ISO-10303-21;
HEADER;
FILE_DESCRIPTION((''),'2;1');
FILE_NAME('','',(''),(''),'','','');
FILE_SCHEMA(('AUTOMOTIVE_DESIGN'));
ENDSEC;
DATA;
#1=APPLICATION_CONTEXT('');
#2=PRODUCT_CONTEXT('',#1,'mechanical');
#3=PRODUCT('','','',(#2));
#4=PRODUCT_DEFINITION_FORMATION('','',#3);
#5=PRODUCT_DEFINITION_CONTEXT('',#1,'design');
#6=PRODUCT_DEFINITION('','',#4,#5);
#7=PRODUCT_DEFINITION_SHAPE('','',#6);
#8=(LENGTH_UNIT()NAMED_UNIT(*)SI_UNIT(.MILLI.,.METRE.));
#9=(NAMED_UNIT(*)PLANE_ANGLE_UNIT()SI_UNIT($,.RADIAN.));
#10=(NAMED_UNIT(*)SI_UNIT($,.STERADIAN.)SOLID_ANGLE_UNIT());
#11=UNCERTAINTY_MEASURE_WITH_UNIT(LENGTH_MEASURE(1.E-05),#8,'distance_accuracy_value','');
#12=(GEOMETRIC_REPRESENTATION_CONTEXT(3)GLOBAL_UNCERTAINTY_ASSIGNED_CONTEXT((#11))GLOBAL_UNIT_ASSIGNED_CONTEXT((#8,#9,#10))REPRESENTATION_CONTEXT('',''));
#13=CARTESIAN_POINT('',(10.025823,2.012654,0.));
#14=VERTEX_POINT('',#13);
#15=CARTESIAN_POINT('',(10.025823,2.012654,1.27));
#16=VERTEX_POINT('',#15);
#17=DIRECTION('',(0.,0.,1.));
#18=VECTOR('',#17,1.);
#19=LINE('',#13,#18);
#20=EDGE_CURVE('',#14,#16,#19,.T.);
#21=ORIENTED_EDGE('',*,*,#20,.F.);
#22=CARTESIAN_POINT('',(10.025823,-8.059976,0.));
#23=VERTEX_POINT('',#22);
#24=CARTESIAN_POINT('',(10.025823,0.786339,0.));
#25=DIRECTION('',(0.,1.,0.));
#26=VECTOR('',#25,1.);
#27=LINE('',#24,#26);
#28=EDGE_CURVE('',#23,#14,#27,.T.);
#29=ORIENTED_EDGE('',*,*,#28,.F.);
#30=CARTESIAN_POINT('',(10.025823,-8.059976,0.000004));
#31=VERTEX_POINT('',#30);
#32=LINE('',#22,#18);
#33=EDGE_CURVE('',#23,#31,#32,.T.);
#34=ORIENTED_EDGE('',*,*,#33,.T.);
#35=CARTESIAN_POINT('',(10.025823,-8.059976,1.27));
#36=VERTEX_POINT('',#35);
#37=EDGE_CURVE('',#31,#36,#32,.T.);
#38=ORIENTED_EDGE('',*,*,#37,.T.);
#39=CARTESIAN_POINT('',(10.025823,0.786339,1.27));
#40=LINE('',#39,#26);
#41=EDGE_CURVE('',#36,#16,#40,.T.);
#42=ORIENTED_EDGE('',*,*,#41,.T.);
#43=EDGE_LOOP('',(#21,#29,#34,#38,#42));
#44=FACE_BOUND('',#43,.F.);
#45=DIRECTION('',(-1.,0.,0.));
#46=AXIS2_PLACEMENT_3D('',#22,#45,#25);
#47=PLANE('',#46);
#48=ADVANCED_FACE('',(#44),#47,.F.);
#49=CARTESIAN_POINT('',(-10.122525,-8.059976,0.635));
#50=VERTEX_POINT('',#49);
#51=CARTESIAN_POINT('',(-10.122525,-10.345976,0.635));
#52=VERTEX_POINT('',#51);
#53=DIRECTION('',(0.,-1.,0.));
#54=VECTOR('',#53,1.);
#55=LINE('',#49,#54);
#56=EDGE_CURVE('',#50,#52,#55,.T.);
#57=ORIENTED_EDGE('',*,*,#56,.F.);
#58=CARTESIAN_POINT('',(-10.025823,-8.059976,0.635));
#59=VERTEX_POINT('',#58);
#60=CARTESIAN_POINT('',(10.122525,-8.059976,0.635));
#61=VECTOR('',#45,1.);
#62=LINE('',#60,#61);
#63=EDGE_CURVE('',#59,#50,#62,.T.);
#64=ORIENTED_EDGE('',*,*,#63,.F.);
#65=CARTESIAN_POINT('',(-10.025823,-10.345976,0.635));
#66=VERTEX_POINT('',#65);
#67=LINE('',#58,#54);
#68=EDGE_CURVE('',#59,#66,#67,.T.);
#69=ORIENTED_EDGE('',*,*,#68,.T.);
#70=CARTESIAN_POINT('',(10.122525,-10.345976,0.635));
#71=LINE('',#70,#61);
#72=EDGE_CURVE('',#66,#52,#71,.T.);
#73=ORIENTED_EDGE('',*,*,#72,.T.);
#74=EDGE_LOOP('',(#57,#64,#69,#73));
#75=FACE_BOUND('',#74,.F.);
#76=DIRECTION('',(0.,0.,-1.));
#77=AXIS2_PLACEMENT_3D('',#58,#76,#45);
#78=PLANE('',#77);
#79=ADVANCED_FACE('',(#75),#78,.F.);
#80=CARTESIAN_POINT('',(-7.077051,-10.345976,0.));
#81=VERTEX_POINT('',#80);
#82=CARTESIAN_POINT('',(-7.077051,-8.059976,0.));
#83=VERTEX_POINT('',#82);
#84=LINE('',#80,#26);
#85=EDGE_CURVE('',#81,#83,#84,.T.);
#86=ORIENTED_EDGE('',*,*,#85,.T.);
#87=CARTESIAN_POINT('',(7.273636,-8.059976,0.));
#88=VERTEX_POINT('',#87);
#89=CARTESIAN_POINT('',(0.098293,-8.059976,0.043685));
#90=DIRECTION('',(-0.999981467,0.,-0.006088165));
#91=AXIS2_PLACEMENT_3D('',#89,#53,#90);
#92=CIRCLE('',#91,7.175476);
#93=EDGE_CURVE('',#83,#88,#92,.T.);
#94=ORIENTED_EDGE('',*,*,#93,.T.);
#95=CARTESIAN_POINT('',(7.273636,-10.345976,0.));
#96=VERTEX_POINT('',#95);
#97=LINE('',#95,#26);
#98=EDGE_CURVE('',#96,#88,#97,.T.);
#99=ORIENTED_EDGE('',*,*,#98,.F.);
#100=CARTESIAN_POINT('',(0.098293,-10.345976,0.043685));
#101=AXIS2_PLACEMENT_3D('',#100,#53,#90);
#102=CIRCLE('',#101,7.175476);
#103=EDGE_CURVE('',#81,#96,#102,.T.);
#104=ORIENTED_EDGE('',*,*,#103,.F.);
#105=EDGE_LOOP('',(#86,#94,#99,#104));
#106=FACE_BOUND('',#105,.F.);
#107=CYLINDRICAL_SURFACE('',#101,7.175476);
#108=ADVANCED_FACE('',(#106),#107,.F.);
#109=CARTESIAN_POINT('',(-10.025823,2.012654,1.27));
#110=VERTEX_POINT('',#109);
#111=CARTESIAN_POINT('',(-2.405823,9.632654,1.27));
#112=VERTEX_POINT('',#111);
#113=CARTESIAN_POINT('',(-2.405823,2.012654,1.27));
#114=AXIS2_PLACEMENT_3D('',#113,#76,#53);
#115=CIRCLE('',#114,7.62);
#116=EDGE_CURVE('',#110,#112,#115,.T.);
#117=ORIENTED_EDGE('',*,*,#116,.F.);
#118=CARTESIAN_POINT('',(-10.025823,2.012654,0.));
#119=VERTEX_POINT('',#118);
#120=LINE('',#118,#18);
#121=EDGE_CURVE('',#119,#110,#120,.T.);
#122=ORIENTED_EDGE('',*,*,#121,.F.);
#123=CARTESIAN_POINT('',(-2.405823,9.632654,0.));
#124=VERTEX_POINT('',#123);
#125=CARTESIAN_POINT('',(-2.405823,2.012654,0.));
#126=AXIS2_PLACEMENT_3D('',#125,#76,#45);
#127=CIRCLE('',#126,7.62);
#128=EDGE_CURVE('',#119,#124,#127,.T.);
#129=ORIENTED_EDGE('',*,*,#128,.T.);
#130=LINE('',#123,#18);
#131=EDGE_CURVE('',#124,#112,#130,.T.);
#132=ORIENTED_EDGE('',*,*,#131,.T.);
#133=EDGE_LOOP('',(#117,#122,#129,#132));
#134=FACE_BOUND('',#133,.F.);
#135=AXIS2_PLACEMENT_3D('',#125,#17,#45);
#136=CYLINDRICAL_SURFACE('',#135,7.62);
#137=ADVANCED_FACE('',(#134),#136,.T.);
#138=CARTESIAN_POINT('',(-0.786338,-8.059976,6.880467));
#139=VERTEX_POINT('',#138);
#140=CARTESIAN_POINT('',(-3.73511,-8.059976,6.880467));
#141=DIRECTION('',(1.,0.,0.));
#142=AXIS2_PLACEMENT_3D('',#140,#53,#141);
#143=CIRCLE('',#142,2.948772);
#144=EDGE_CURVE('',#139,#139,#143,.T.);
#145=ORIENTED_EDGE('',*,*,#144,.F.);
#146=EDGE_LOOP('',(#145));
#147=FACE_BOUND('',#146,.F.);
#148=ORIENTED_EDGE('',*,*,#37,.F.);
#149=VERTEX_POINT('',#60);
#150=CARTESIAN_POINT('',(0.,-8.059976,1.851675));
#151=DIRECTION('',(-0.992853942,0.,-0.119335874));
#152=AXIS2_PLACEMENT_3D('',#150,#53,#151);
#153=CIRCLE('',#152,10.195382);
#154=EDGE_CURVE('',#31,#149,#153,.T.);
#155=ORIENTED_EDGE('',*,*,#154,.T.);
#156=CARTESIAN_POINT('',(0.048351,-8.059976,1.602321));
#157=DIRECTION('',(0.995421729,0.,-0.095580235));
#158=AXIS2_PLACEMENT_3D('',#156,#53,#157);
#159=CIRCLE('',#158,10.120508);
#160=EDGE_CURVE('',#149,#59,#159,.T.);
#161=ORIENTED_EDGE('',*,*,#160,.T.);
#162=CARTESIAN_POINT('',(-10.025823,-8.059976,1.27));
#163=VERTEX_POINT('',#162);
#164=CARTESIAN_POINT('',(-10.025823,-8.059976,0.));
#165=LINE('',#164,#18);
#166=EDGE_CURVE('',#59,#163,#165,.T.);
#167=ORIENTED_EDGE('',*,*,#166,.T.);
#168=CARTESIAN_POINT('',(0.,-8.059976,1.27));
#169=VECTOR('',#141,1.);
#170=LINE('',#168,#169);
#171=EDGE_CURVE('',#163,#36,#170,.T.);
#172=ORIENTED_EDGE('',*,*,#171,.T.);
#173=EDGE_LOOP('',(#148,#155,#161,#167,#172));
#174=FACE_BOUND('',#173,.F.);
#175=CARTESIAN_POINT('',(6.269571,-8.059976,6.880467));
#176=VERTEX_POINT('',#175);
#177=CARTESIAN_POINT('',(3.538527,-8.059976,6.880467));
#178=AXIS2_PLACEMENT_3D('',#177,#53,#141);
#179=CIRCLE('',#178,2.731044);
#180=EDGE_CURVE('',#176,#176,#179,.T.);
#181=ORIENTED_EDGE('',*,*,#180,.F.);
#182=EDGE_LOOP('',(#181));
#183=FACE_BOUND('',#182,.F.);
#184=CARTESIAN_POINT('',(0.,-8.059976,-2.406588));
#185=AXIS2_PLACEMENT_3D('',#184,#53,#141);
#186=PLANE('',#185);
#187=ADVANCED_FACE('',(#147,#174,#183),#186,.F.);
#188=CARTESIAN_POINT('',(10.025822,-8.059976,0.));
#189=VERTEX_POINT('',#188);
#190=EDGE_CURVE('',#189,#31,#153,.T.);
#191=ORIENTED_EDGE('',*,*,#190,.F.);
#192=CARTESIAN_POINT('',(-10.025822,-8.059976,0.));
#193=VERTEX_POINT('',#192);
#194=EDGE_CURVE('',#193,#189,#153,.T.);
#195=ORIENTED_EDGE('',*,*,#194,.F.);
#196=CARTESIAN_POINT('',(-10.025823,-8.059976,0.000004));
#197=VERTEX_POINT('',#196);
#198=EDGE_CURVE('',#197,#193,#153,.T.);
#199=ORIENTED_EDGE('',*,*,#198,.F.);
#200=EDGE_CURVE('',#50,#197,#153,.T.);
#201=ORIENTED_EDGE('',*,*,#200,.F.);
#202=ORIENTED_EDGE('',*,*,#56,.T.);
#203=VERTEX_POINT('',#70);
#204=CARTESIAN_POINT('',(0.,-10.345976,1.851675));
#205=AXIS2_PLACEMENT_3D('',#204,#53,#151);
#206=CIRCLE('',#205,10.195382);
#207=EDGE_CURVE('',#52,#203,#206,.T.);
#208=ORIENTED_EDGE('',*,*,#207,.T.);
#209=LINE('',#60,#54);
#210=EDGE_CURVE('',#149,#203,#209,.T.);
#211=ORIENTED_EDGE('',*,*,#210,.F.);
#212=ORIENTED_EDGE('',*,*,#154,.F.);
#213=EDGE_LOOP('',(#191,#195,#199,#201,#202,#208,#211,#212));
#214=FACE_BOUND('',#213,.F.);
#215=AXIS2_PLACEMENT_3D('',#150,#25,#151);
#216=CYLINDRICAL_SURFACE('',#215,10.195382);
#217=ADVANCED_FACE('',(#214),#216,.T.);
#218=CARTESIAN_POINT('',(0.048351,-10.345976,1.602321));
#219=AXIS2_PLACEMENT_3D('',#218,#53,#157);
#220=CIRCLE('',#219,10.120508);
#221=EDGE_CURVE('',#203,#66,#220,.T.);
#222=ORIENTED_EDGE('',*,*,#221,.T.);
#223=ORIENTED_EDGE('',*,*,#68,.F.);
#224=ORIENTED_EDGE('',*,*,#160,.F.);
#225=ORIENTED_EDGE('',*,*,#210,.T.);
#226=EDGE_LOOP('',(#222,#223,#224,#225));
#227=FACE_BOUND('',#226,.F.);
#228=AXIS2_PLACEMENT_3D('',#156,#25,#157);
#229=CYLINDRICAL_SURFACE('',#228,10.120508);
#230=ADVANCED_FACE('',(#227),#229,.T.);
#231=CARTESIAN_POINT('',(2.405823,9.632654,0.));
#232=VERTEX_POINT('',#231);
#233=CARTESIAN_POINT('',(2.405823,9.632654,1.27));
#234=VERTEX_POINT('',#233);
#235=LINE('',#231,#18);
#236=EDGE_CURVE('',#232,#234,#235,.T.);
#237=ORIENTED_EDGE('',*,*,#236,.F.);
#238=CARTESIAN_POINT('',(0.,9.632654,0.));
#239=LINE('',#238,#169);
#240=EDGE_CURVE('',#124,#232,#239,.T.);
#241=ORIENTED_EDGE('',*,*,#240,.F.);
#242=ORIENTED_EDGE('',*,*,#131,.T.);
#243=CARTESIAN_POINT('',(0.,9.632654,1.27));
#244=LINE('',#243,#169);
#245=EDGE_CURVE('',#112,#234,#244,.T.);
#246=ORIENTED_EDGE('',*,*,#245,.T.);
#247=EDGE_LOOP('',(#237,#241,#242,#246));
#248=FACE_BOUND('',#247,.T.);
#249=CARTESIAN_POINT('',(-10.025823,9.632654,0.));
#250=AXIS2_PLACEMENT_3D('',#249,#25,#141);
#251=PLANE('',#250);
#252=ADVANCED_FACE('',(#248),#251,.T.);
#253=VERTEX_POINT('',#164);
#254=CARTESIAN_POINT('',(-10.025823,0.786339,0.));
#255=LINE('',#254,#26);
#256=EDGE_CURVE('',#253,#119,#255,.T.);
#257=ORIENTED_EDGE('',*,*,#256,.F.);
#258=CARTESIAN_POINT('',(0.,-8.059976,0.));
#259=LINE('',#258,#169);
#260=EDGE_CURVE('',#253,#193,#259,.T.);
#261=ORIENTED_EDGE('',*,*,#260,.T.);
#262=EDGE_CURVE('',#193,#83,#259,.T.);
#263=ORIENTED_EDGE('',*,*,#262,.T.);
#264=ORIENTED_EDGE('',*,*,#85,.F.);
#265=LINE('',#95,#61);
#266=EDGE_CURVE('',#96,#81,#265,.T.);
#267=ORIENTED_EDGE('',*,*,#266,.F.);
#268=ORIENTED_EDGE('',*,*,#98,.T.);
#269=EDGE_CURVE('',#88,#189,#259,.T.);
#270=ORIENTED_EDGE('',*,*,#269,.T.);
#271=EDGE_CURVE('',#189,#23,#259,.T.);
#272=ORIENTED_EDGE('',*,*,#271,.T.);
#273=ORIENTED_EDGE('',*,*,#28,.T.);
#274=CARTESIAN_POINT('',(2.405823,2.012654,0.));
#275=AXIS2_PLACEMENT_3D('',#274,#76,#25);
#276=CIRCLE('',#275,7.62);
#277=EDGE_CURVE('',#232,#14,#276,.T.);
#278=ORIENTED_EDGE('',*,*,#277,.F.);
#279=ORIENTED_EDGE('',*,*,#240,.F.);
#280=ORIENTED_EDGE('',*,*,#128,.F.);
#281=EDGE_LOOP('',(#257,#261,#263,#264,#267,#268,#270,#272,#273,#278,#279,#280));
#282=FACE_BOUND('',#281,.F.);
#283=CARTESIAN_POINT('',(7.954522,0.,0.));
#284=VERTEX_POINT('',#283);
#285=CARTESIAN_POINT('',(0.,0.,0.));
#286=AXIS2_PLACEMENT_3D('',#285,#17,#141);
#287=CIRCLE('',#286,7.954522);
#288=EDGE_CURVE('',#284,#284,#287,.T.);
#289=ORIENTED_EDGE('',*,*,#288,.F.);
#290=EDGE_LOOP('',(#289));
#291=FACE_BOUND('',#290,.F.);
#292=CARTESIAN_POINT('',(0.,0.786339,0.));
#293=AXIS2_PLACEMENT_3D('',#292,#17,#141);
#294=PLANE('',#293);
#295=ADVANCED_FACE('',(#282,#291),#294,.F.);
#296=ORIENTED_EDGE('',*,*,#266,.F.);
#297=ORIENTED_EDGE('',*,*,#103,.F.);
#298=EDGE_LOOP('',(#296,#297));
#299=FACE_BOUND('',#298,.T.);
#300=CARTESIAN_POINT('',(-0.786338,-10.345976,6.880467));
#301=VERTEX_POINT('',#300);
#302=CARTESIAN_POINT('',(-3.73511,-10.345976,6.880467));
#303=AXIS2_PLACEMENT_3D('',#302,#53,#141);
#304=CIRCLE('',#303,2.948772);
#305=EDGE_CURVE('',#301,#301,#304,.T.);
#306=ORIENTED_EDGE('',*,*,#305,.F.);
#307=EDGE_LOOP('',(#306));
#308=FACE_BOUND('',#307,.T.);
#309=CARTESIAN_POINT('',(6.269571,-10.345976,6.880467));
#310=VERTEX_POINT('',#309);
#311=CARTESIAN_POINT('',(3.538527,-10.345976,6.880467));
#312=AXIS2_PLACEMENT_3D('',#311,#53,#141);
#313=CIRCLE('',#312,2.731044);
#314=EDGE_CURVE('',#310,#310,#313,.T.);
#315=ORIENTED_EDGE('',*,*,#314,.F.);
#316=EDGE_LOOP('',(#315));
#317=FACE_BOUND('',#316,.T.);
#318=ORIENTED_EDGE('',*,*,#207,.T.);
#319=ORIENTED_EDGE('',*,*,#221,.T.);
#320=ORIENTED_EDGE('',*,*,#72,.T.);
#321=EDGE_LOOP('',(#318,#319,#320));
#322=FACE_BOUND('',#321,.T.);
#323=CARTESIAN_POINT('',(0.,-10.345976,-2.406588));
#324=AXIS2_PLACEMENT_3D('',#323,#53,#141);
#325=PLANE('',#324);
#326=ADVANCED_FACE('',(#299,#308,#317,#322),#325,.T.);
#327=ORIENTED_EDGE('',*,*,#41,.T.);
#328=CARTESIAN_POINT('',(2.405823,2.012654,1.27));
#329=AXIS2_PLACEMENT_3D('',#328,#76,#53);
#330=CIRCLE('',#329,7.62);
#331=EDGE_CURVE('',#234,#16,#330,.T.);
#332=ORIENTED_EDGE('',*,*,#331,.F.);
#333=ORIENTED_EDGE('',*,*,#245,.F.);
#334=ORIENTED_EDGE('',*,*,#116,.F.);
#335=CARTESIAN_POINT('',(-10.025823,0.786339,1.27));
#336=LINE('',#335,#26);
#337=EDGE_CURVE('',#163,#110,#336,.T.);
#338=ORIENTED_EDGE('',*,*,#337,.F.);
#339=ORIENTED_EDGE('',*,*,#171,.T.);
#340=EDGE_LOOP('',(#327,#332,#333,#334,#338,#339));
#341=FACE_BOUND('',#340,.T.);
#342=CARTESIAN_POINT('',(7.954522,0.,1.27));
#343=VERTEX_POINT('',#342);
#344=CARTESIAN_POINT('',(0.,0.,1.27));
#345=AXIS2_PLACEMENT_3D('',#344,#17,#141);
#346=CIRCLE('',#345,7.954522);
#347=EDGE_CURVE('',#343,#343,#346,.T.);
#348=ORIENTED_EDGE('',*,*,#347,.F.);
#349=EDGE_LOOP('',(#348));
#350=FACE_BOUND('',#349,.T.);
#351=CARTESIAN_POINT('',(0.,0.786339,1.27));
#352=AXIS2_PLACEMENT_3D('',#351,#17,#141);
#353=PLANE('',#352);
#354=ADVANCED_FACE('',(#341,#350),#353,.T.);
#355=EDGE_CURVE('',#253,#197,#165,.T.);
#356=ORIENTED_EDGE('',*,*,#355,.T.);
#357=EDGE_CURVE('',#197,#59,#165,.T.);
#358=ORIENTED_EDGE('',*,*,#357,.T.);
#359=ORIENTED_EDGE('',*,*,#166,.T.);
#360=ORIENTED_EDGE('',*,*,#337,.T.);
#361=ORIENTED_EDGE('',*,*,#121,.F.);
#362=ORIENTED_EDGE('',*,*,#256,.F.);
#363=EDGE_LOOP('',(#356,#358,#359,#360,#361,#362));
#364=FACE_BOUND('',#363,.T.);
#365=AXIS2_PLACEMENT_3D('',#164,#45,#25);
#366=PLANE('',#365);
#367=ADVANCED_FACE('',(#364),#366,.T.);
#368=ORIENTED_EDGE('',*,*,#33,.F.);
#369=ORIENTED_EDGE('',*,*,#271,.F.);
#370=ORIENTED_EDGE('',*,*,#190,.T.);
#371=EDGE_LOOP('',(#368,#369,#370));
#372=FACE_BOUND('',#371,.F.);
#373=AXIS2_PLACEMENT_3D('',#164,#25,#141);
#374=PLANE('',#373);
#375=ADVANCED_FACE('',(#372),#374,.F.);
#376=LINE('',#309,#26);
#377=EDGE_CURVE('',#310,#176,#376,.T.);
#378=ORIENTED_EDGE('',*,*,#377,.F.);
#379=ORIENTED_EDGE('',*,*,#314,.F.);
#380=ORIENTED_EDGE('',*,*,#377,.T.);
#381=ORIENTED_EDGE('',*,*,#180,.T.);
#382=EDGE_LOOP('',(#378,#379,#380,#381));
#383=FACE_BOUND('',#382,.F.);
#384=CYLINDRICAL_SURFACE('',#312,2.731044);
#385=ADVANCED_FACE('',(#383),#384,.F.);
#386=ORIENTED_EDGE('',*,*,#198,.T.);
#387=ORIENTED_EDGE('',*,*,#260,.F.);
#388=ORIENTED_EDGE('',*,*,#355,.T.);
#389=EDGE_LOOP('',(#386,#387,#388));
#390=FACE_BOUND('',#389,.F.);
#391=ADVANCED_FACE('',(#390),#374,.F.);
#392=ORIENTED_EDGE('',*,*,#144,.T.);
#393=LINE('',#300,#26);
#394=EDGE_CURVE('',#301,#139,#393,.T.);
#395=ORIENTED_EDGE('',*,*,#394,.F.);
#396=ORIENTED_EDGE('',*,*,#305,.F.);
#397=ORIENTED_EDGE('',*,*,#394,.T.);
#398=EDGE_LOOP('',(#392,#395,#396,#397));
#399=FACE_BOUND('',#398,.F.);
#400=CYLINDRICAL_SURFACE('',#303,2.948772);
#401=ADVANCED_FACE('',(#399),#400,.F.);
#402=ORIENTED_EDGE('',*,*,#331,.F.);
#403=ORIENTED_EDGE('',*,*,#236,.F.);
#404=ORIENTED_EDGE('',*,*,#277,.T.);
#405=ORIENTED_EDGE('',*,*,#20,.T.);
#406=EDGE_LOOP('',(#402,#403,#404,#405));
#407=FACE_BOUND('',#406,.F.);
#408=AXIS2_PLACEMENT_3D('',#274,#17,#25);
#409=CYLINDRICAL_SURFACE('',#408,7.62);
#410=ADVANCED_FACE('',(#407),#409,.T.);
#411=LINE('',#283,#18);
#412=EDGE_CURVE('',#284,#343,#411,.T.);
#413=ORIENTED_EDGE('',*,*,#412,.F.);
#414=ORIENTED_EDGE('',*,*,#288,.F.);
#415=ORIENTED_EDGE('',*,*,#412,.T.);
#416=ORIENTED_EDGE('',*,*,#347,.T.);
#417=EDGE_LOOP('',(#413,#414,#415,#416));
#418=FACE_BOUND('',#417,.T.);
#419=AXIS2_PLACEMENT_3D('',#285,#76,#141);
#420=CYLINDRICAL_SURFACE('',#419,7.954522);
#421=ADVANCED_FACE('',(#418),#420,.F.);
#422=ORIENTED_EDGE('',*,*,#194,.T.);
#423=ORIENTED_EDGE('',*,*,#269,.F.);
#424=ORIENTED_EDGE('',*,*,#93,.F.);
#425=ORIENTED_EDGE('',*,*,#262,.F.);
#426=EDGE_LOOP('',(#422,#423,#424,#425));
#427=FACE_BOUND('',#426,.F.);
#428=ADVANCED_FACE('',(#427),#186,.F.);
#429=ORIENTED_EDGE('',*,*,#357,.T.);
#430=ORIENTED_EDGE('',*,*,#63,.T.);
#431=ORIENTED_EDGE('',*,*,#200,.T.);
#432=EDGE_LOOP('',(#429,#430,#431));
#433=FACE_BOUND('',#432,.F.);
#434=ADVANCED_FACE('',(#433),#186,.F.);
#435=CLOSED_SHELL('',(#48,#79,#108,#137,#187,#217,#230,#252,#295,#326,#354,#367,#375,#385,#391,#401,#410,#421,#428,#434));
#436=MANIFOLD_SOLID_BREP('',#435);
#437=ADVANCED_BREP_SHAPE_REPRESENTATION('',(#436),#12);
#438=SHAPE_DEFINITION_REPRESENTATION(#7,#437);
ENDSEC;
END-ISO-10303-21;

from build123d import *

# Parameters (mm, degrees)
F0_W     = 20.051646
F0_H     = 17.69263
F0_R     = 7.954522
F1_DEPTH = 1.27
F2_R     = 7.62
F4_DEPTH = 2.286
F5_R     = 2.731044
F5_R_2   = 2.948772
F6_DEPTH = 25.4


with BuildPart() as f1:
    # F0 (on Top) → F1 (new body)
    with BuildSketch(Plane.XY):
        with Locations((0, 0.786339)):
            Rectangle(F0_W, F0_H)
        Circle(F0_R, mode=Mode.SUBTRACT)
    extrude(amount=F1_DEPTH)

    # F2
    f2_edges = [f1.edges().sort_by_distance(p)[0] for p in [
        (-10.025823, 9.632654, 0.635),
        (10.025823, 9.632654, 0.635),
    ]]
    fillet(f2_edges, radius=F2_R)

    # F3 (on face) → F4 (join)
    with BuildSketch(Plane.XZ.offset(8.059976)):
        with BuildLine():
            Line((-10.025823, 0.635), (-10.122525, 0.635))
            ThreePointArc((-10.122525, 0.635), (0, -8.343707), (10.122525, 0.635))
            Line((10.122525, 0.635), (-10.025823, 0.635))
        make_face()
        with BuildLine():
            Line((-10.025823, 0.635), (10.122525, 0.635))
            ThreePointArc((10.122525, 0.635), (0.048351, 11.722829), (-10.025823, 0.635))
        make_face()
    extrude(amount=F4_DEPTH)

    # F5 (on face) → F6 (cut)
    with BuildSketch(Plane.XZ.offset(10.345976)):
        with BuildLine():
            Line((7.273636, 0), (-7.077051, 0))
            ThreePointArc((-7.077051, 0), (0.098292, -7.131791), (7.273636, 0))
        make_face()
        with Locations((3.538527, 6.880467)):
            Circle(F5_R)
        with Locations((-3.73511, 6.880467)):
            Circle(F5_R_2)
    extrude(amount=-F6_DEPTH, mode=Mode.SUBTRACT)


solid = f1.part
